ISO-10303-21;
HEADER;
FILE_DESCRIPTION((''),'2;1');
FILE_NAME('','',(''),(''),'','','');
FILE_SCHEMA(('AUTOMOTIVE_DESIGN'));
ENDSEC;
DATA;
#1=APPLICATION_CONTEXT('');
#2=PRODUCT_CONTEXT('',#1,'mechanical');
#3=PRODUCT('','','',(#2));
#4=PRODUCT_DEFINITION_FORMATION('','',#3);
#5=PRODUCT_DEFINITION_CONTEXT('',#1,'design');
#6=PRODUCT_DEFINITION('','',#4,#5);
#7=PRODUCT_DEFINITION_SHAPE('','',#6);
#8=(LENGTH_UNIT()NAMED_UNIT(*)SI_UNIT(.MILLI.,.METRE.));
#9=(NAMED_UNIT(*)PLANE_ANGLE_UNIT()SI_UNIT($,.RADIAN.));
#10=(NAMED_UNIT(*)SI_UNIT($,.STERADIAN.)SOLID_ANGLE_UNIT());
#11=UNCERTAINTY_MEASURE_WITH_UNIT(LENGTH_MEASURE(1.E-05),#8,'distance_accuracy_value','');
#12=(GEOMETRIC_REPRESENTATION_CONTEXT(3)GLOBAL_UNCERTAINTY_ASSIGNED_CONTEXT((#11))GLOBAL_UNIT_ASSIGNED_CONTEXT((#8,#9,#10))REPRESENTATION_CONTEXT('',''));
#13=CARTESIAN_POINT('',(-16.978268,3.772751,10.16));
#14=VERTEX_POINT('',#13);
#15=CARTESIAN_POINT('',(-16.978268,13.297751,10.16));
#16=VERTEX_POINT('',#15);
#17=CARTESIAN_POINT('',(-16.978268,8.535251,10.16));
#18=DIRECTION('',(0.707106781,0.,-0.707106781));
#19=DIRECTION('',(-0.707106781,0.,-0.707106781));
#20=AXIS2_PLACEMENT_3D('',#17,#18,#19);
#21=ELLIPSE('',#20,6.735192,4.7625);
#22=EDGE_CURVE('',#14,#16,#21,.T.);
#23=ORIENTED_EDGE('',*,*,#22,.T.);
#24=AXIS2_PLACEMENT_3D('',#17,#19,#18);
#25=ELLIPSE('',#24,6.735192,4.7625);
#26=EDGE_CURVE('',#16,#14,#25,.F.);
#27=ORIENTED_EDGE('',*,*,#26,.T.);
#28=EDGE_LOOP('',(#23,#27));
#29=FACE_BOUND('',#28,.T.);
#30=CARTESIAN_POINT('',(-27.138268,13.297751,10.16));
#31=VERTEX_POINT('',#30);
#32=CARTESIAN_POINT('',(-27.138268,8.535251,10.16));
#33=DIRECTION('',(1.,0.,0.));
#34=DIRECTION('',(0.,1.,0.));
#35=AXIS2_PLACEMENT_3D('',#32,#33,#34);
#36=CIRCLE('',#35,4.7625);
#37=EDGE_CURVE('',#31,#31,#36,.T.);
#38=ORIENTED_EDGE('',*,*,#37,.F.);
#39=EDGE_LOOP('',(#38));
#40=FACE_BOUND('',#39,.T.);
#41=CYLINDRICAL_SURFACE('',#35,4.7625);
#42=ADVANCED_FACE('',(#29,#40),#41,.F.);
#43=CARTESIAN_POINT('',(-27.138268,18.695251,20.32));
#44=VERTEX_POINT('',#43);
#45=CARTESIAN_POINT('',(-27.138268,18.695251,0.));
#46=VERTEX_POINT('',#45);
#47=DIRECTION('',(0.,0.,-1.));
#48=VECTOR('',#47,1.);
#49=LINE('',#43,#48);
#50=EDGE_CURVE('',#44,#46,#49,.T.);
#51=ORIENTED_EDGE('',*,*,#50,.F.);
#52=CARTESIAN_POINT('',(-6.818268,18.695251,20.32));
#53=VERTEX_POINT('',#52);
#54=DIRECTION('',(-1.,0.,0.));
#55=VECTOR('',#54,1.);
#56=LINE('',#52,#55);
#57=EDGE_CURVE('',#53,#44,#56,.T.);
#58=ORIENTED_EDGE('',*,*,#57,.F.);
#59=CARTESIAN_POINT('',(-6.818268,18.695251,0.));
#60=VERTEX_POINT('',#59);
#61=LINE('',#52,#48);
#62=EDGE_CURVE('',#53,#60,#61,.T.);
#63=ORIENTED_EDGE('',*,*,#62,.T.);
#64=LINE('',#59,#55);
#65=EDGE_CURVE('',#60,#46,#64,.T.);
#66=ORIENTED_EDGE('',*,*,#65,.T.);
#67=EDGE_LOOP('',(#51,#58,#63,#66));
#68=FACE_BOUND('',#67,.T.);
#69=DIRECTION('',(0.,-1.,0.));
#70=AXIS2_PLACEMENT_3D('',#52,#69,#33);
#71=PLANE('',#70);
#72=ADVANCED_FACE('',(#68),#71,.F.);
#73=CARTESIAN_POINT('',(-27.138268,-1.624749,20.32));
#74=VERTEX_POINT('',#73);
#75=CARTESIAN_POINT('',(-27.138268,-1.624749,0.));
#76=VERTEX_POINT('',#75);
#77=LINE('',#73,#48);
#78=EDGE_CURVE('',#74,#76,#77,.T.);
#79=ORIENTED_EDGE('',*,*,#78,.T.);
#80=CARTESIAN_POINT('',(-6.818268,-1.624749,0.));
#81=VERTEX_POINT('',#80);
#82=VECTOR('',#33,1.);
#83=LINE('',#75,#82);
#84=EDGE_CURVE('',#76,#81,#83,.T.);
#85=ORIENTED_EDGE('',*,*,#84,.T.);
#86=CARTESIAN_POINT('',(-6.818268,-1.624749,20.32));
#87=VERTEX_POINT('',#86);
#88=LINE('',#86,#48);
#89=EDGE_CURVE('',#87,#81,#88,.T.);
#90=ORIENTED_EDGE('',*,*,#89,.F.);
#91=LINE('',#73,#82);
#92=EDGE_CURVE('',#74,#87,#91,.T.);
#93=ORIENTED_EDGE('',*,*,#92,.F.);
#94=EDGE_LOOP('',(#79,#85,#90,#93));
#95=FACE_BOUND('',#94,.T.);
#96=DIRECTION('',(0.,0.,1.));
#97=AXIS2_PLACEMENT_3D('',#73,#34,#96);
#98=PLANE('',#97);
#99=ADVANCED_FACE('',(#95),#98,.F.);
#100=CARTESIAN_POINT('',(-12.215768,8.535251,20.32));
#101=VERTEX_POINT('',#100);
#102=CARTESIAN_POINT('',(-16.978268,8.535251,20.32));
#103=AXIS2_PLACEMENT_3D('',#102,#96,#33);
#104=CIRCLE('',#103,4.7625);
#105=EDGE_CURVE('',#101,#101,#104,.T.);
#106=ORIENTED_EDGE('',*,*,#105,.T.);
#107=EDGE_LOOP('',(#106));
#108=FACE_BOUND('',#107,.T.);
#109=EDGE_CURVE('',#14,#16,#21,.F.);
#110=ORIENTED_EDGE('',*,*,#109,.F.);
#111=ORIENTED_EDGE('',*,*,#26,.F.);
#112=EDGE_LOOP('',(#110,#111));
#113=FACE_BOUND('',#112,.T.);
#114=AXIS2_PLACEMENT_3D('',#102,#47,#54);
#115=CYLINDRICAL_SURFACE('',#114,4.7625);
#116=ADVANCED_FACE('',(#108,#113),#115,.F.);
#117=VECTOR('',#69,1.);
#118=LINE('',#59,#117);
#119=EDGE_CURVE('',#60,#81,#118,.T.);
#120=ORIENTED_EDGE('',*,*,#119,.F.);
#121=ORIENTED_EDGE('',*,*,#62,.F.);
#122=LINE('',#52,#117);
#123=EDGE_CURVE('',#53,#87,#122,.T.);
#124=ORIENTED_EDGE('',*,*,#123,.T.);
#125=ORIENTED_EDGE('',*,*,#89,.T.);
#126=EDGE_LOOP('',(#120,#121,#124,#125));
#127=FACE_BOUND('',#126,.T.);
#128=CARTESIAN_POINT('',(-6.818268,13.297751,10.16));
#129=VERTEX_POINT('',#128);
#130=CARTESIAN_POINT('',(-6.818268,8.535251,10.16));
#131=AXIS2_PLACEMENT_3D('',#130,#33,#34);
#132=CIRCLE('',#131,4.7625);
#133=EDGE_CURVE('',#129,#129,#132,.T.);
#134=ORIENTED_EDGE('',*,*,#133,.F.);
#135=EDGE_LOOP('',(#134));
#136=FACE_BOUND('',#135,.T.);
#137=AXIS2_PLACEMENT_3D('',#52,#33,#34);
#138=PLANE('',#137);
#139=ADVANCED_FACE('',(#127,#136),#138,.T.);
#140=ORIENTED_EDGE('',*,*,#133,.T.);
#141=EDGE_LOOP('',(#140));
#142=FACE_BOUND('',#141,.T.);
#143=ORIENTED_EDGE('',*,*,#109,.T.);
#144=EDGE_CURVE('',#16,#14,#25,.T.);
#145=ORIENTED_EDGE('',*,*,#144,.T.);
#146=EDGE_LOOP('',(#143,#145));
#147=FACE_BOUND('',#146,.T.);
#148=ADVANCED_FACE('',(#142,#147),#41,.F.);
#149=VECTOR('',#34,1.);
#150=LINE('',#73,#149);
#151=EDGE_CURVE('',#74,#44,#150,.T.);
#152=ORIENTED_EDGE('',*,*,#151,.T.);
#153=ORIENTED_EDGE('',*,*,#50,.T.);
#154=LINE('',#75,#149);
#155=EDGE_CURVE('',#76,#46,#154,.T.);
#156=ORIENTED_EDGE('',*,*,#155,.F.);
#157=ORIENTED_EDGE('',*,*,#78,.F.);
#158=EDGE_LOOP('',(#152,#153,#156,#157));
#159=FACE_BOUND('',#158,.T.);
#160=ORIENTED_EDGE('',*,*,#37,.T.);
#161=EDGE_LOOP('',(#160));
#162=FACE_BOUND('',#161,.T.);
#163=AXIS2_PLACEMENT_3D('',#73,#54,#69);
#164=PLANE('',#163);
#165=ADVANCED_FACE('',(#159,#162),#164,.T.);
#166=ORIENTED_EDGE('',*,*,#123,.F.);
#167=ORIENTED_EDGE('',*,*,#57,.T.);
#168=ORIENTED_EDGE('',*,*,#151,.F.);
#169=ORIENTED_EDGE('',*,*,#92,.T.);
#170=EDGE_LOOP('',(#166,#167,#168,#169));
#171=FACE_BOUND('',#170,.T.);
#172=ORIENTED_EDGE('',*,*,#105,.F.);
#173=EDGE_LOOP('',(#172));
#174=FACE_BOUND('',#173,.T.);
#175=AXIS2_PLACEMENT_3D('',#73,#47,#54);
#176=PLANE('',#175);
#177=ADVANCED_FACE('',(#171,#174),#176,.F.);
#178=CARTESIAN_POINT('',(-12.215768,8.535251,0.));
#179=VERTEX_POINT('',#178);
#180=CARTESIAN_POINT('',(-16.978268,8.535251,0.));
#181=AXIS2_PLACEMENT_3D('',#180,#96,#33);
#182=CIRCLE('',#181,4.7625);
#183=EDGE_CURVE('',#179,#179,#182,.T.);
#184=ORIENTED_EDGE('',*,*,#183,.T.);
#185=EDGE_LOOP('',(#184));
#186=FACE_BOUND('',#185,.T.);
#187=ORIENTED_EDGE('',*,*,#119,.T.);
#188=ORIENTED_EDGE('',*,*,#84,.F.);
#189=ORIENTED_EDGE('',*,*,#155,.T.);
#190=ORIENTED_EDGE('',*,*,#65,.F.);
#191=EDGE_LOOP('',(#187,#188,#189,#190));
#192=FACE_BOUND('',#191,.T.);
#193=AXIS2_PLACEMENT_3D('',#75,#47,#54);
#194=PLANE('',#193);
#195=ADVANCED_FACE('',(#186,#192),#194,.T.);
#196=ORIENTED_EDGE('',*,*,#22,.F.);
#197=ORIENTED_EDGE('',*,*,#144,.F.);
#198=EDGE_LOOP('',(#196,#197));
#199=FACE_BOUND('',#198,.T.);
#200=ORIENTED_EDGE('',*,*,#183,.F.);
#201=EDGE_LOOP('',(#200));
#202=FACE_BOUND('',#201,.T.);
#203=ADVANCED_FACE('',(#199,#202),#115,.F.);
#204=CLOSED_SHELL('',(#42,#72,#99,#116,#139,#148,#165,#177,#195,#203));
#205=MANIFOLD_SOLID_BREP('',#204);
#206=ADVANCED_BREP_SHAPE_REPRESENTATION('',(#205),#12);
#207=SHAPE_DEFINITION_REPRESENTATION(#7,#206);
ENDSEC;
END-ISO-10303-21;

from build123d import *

# Parameters (mm, degrees)
SKETCH1_W          = 20.32
SKETCH1_H          = 20.32
SKETCH1_R          = 4.7625
BASE_EXTRUDE_DEPTH = 20.32
SKETCH3_R          = 4.7625
CUT_EXTRUDE1_DEPTH = 21.32


with BuildPart() as part:
    # Sketch1 → Base-Extrude (new body)
    with BuildSketch(Plane.XY):
        with Locations((-16.978268156, 8.535251397)):
            Rectangle(SKETCH1_W, SKETCH1_H)
        with Locations((-16.978268156, 8.535251397)):
            Circle(SKETCH1_R, mode=Mode.SUBTRACT)
    extrude(amount=BASE_EXTRUDE_DEPTH)

    # Sketch3 → Cut-Extrude1 (cut, through all)
    with BuildSketch(Plane(origin=(-6.818268156, 0, 0), x_dir=(0, 0, -1), z_dir=(1, 0, 0))):
        with Locations((-10.16, 8.535251397)):
            Circle(SKETCH3_R)
    extrude(amount=-CUT_EXTRUDE1_DEPTH, mode=Mode.SUBTRACT)


solid = part.part
